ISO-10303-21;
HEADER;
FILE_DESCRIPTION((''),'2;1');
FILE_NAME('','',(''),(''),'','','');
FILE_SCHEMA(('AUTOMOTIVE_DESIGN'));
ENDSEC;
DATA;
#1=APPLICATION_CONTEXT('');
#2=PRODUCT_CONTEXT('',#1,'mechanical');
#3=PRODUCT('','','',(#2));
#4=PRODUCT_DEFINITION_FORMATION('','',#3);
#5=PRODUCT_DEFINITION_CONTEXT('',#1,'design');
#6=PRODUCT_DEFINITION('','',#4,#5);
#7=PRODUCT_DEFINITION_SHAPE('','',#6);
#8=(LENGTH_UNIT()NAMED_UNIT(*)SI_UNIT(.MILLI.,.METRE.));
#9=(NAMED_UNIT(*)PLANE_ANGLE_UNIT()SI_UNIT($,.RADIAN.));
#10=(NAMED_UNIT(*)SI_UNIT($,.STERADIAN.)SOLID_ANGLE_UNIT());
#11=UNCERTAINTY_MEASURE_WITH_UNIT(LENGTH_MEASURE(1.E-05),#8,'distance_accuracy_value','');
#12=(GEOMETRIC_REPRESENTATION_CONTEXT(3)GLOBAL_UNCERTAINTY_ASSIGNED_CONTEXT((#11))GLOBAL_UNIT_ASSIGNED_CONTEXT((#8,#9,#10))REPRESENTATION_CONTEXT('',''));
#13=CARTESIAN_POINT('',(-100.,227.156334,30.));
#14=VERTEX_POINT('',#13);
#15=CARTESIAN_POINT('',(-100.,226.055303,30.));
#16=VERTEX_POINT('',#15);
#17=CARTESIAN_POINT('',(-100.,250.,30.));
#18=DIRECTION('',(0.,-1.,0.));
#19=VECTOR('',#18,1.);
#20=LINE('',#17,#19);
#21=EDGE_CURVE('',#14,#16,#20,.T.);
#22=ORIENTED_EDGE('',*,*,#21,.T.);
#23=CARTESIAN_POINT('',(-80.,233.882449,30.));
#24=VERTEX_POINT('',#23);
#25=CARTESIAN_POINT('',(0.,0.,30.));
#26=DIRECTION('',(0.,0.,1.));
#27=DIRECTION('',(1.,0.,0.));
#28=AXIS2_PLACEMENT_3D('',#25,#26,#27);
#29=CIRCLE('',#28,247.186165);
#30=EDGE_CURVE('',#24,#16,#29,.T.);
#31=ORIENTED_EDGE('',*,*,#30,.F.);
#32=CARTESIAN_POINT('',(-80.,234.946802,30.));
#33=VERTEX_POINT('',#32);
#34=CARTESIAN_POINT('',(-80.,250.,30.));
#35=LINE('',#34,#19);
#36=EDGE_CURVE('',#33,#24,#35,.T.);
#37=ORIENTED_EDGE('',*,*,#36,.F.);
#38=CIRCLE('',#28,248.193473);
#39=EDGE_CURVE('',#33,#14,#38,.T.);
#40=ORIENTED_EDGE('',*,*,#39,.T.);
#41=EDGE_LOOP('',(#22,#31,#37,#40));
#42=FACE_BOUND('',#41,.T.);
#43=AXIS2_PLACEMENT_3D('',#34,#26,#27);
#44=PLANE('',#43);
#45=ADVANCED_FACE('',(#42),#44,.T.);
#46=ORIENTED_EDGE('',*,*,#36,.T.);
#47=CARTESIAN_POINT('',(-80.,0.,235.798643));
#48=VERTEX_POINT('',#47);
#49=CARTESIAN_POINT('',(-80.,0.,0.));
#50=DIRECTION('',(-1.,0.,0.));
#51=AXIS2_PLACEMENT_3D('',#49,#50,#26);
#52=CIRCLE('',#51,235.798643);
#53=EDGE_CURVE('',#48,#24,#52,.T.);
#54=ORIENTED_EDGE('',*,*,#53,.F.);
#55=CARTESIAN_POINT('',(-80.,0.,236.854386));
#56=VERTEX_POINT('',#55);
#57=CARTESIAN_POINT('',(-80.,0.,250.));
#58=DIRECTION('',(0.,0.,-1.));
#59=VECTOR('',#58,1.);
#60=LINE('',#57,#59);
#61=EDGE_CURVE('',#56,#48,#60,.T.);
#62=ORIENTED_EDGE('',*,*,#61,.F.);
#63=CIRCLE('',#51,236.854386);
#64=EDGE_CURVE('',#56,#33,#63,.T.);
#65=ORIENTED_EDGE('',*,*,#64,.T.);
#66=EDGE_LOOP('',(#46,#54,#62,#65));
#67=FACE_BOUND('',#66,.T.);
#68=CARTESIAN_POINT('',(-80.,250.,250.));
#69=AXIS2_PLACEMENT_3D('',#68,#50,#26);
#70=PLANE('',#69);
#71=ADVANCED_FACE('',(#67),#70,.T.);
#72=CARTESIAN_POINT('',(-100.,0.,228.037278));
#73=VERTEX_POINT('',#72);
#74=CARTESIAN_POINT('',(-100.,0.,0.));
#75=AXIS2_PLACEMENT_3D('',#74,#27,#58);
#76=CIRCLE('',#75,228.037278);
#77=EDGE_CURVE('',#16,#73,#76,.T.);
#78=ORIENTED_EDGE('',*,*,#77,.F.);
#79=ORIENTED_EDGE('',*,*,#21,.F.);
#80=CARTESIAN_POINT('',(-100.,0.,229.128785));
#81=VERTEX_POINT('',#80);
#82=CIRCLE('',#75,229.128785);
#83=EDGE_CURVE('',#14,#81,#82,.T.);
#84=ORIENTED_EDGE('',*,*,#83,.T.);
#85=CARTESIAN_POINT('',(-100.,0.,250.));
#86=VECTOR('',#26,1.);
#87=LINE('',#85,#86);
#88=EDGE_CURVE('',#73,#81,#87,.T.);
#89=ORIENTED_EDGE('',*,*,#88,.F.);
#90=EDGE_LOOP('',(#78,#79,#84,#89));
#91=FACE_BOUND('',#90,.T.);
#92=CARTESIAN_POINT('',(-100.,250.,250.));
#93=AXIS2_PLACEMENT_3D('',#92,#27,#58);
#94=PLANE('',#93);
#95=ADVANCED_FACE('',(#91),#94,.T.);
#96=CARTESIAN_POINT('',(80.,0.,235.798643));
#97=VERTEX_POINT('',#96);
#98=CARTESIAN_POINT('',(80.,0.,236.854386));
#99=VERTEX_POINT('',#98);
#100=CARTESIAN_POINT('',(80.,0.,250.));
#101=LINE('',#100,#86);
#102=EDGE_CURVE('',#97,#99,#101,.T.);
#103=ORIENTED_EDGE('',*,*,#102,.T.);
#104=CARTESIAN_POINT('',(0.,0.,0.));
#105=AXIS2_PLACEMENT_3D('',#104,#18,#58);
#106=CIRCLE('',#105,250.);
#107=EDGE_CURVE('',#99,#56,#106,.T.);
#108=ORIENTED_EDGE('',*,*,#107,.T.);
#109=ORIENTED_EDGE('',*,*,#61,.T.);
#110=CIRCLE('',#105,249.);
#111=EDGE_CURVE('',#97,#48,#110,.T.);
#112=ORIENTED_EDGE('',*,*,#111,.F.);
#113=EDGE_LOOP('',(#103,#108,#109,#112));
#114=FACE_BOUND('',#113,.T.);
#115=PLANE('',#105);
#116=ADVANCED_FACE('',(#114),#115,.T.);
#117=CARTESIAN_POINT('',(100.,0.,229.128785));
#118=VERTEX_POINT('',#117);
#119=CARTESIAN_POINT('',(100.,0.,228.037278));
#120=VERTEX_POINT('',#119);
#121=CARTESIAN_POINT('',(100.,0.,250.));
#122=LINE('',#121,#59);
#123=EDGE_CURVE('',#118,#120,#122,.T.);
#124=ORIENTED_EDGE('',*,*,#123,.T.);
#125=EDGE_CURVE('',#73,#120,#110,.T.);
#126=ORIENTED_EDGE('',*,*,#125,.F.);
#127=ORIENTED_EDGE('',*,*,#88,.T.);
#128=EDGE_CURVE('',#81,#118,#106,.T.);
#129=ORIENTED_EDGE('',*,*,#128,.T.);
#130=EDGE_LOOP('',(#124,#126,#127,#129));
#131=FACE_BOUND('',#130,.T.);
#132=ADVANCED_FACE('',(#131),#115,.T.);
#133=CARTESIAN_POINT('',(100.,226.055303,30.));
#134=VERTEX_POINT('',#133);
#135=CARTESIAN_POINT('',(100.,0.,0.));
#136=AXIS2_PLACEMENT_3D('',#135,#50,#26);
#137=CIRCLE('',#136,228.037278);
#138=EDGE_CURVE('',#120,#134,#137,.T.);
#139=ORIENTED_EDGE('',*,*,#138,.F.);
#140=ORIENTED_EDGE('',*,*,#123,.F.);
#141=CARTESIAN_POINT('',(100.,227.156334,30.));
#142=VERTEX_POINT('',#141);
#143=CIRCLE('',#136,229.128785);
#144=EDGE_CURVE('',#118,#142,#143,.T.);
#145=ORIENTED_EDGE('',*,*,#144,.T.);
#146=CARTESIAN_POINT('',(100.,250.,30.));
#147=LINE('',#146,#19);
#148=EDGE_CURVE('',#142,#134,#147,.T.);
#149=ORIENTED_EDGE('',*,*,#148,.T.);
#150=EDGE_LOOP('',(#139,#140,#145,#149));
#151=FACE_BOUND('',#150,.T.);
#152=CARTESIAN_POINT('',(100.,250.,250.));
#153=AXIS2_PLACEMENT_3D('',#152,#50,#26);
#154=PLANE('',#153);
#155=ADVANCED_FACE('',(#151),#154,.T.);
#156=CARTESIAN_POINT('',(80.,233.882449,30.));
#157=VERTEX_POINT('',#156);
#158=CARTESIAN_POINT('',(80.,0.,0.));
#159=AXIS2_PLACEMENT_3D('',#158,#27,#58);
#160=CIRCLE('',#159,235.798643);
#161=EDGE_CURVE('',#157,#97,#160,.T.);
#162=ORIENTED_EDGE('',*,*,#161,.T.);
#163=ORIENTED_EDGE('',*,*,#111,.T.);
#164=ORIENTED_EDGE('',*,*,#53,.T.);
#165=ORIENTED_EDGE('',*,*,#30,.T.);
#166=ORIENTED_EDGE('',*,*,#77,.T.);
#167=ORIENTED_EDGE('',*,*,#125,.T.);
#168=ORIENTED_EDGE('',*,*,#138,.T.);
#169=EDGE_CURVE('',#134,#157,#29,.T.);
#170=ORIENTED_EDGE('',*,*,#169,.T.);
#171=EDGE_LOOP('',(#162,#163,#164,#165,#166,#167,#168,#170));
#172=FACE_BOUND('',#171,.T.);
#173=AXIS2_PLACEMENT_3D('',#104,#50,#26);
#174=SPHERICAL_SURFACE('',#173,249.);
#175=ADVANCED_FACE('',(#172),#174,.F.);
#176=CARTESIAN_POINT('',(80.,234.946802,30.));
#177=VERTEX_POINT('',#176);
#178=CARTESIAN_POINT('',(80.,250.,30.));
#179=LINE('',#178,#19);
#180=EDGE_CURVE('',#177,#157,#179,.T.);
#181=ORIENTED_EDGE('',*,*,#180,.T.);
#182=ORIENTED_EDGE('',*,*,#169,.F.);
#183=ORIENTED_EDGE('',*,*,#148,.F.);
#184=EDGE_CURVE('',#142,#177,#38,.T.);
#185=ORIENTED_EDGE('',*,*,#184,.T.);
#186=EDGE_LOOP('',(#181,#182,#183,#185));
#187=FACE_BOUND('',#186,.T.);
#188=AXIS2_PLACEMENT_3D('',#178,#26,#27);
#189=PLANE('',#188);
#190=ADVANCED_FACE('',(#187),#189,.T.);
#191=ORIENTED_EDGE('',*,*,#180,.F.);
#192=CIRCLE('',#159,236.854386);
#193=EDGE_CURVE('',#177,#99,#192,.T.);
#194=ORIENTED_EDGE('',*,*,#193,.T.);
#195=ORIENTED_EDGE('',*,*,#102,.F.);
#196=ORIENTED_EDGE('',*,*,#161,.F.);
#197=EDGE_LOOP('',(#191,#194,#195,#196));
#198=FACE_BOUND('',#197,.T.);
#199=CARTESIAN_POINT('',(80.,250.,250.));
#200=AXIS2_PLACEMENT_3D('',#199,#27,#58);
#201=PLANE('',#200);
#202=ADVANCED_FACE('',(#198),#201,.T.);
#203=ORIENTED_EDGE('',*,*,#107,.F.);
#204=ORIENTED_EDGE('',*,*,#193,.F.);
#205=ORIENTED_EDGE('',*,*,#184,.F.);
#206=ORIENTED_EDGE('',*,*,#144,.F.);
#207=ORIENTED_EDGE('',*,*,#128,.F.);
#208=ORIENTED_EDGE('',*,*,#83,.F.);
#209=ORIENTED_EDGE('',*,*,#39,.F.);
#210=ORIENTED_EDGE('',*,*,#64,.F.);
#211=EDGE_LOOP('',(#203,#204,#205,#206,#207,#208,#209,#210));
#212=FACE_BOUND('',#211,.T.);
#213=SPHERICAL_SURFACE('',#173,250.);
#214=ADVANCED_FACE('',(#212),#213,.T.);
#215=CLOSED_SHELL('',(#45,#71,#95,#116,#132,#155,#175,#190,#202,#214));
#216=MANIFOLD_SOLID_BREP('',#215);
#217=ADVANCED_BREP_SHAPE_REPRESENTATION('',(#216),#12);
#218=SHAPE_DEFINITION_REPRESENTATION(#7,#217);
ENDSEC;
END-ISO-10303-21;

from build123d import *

# Parameters (mm, degrees)
REVOLVE_1_ANGLE     = 180
SHELL_1_T           = -1
SKETCH_2_W          = 20
SKETCH_2_H          = 220
CUT_EXTRUDE_1_DEPTH = 434.012701892


with BuildPart() as part:
    # Эскиз1 → Повернуть1 (revolve)
    with BuildSketch(Plane(origin=(0, 0, 0), x_dir=(1, 0, 0), z_dir=(0, 1, 0))):
        with BuildLine():
            Line((-250, 0), (250, 0))
            ThreePointArc((250, 0), (0, 250), (-250, 0))
        make_face()
    revolve(axis=Axis((-250, 0, 0), (1, 0, 0)), revolution_arc=REVOLVE_1_ANGLE)

    # Оболочка1
    shell_1_openings = [part.faces().sort_by_distance(p)[0] for p in [
        (0, 0, 0),
    ]]
    offset(amount=SHELL_1_T, openings=shell_1_openings)

    # Эскиз2 → Вырез-Вытянуть1 (cut, through all)
    with BuildSketch(Plane(origin=(0, 0, 0), x_dir=(1, 0, 0), z_dir=(0, 1, 0))):
        with Locations((-90, -140)):
            Rectangle(SKETCH_2_W, SKETCH_2_H)
        with Locations((90, -140)):
            Rectangle(SKETCH_2_W, SKETCH_2_H)
    extrude(amount=CUT_EXTRUDE_1_DEPTH, mode=Mode.SUBTRACT)


solid = part.part
